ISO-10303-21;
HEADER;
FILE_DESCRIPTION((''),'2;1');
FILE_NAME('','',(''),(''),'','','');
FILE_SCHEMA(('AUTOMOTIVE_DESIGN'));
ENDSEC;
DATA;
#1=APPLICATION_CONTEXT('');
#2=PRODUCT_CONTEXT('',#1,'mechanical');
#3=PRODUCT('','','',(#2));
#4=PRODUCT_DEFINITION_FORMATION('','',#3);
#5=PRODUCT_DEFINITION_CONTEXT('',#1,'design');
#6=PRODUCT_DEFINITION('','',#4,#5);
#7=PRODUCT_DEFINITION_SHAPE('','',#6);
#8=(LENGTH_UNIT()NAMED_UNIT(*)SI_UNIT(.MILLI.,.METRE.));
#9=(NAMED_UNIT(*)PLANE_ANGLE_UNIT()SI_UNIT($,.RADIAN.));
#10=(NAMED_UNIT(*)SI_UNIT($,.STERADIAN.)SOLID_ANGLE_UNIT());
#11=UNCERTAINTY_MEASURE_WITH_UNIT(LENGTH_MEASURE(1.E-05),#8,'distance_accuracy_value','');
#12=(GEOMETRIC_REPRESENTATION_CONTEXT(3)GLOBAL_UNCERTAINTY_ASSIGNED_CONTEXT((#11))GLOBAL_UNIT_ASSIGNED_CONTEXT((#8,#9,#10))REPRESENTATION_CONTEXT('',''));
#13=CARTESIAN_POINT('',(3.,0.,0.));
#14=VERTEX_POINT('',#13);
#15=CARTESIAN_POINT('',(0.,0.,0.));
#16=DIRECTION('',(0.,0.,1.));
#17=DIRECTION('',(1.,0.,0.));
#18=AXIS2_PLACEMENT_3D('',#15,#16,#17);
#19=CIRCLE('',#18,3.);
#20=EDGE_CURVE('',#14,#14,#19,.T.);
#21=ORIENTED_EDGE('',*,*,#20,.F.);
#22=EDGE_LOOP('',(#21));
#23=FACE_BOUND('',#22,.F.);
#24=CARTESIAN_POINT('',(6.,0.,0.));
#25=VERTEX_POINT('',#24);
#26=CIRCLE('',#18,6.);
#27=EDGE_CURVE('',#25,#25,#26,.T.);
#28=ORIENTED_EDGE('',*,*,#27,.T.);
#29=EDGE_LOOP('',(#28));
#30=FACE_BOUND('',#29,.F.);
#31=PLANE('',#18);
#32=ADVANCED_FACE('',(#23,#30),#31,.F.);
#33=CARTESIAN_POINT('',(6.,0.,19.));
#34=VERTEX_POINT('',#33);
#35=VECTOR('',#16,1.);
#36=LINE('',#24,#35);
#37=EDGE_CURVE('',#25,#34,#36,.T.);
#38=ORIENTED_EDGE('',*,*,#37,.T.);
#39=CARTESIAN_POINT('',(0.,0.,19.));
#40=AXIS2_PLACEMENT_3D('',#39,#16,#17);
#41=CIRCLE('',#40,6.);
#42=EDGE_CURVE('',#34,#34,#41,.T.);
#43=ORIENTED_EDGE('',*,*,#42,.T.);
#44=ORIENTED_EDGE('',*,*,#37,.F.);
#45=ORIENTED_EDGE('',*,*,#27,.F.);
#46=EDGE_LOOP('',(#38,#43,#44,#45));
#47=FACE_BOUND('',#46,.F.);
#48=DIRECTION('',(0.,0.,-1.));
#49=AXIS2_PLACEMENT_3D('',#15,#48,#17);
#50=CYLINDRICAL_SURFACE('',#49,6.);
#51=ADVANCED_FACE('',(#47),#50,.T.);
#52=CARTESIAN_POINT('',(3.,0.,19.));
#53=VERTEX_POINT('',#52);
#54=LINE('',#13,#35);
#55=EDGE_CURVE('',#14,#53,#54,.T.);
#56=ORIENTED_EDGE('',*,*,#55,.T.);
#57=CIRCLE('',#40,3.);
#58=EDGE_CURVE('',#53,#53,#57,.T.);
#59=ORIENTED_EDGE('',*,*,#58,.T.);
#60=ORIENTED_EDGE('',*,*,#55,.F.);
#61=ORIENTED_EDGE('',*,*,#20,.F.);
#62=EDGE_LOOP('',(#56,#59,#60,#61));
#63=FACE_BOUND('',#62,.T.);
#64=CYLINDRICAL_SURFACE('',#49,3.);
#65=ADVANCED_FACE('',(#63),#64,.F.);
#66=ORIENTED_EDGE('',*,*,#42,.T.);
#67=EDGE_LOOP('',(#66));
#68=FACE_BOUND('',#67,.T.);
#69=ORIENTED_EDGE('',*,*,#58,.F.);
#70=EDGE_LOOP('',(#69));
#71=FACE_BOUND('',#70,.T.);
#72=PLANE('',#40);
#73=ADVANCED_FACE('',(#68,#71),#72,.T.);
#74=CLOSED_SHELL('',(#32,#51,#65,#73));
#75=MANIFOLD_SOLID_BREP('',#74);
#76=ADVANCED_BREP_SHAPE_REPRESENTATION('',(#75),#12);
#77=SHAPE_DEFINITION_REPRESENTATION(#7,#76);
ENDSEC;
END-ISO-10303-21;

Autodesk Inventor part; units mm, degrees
ref_plane "YZ Plane" through (0, 0, 0) normal (1, 0, 0) x (0, 1, 0)
ref_plane "XZ Plane" through (0, 0, 0) normal (0, 1, 0) x (-1, 0, 0)
ref_plane "XY Plane" through (0, 0, 0) normal (0, 0, 1) x (1, 0, 0)
sketch "Skizze1" plane through (0, 0, 0) normal (0, 0, 1) x (1, 0, 0)
  circle A0 centre (0, 0) radius 6
  circle A1 centre (0, 0) radius 3 projected
  dimension "d0" = 12
extrude "Extrusion1" add sketch "Skizze1" along normal blind 19
properties part number "00_LM6UU_LinearBearing"
